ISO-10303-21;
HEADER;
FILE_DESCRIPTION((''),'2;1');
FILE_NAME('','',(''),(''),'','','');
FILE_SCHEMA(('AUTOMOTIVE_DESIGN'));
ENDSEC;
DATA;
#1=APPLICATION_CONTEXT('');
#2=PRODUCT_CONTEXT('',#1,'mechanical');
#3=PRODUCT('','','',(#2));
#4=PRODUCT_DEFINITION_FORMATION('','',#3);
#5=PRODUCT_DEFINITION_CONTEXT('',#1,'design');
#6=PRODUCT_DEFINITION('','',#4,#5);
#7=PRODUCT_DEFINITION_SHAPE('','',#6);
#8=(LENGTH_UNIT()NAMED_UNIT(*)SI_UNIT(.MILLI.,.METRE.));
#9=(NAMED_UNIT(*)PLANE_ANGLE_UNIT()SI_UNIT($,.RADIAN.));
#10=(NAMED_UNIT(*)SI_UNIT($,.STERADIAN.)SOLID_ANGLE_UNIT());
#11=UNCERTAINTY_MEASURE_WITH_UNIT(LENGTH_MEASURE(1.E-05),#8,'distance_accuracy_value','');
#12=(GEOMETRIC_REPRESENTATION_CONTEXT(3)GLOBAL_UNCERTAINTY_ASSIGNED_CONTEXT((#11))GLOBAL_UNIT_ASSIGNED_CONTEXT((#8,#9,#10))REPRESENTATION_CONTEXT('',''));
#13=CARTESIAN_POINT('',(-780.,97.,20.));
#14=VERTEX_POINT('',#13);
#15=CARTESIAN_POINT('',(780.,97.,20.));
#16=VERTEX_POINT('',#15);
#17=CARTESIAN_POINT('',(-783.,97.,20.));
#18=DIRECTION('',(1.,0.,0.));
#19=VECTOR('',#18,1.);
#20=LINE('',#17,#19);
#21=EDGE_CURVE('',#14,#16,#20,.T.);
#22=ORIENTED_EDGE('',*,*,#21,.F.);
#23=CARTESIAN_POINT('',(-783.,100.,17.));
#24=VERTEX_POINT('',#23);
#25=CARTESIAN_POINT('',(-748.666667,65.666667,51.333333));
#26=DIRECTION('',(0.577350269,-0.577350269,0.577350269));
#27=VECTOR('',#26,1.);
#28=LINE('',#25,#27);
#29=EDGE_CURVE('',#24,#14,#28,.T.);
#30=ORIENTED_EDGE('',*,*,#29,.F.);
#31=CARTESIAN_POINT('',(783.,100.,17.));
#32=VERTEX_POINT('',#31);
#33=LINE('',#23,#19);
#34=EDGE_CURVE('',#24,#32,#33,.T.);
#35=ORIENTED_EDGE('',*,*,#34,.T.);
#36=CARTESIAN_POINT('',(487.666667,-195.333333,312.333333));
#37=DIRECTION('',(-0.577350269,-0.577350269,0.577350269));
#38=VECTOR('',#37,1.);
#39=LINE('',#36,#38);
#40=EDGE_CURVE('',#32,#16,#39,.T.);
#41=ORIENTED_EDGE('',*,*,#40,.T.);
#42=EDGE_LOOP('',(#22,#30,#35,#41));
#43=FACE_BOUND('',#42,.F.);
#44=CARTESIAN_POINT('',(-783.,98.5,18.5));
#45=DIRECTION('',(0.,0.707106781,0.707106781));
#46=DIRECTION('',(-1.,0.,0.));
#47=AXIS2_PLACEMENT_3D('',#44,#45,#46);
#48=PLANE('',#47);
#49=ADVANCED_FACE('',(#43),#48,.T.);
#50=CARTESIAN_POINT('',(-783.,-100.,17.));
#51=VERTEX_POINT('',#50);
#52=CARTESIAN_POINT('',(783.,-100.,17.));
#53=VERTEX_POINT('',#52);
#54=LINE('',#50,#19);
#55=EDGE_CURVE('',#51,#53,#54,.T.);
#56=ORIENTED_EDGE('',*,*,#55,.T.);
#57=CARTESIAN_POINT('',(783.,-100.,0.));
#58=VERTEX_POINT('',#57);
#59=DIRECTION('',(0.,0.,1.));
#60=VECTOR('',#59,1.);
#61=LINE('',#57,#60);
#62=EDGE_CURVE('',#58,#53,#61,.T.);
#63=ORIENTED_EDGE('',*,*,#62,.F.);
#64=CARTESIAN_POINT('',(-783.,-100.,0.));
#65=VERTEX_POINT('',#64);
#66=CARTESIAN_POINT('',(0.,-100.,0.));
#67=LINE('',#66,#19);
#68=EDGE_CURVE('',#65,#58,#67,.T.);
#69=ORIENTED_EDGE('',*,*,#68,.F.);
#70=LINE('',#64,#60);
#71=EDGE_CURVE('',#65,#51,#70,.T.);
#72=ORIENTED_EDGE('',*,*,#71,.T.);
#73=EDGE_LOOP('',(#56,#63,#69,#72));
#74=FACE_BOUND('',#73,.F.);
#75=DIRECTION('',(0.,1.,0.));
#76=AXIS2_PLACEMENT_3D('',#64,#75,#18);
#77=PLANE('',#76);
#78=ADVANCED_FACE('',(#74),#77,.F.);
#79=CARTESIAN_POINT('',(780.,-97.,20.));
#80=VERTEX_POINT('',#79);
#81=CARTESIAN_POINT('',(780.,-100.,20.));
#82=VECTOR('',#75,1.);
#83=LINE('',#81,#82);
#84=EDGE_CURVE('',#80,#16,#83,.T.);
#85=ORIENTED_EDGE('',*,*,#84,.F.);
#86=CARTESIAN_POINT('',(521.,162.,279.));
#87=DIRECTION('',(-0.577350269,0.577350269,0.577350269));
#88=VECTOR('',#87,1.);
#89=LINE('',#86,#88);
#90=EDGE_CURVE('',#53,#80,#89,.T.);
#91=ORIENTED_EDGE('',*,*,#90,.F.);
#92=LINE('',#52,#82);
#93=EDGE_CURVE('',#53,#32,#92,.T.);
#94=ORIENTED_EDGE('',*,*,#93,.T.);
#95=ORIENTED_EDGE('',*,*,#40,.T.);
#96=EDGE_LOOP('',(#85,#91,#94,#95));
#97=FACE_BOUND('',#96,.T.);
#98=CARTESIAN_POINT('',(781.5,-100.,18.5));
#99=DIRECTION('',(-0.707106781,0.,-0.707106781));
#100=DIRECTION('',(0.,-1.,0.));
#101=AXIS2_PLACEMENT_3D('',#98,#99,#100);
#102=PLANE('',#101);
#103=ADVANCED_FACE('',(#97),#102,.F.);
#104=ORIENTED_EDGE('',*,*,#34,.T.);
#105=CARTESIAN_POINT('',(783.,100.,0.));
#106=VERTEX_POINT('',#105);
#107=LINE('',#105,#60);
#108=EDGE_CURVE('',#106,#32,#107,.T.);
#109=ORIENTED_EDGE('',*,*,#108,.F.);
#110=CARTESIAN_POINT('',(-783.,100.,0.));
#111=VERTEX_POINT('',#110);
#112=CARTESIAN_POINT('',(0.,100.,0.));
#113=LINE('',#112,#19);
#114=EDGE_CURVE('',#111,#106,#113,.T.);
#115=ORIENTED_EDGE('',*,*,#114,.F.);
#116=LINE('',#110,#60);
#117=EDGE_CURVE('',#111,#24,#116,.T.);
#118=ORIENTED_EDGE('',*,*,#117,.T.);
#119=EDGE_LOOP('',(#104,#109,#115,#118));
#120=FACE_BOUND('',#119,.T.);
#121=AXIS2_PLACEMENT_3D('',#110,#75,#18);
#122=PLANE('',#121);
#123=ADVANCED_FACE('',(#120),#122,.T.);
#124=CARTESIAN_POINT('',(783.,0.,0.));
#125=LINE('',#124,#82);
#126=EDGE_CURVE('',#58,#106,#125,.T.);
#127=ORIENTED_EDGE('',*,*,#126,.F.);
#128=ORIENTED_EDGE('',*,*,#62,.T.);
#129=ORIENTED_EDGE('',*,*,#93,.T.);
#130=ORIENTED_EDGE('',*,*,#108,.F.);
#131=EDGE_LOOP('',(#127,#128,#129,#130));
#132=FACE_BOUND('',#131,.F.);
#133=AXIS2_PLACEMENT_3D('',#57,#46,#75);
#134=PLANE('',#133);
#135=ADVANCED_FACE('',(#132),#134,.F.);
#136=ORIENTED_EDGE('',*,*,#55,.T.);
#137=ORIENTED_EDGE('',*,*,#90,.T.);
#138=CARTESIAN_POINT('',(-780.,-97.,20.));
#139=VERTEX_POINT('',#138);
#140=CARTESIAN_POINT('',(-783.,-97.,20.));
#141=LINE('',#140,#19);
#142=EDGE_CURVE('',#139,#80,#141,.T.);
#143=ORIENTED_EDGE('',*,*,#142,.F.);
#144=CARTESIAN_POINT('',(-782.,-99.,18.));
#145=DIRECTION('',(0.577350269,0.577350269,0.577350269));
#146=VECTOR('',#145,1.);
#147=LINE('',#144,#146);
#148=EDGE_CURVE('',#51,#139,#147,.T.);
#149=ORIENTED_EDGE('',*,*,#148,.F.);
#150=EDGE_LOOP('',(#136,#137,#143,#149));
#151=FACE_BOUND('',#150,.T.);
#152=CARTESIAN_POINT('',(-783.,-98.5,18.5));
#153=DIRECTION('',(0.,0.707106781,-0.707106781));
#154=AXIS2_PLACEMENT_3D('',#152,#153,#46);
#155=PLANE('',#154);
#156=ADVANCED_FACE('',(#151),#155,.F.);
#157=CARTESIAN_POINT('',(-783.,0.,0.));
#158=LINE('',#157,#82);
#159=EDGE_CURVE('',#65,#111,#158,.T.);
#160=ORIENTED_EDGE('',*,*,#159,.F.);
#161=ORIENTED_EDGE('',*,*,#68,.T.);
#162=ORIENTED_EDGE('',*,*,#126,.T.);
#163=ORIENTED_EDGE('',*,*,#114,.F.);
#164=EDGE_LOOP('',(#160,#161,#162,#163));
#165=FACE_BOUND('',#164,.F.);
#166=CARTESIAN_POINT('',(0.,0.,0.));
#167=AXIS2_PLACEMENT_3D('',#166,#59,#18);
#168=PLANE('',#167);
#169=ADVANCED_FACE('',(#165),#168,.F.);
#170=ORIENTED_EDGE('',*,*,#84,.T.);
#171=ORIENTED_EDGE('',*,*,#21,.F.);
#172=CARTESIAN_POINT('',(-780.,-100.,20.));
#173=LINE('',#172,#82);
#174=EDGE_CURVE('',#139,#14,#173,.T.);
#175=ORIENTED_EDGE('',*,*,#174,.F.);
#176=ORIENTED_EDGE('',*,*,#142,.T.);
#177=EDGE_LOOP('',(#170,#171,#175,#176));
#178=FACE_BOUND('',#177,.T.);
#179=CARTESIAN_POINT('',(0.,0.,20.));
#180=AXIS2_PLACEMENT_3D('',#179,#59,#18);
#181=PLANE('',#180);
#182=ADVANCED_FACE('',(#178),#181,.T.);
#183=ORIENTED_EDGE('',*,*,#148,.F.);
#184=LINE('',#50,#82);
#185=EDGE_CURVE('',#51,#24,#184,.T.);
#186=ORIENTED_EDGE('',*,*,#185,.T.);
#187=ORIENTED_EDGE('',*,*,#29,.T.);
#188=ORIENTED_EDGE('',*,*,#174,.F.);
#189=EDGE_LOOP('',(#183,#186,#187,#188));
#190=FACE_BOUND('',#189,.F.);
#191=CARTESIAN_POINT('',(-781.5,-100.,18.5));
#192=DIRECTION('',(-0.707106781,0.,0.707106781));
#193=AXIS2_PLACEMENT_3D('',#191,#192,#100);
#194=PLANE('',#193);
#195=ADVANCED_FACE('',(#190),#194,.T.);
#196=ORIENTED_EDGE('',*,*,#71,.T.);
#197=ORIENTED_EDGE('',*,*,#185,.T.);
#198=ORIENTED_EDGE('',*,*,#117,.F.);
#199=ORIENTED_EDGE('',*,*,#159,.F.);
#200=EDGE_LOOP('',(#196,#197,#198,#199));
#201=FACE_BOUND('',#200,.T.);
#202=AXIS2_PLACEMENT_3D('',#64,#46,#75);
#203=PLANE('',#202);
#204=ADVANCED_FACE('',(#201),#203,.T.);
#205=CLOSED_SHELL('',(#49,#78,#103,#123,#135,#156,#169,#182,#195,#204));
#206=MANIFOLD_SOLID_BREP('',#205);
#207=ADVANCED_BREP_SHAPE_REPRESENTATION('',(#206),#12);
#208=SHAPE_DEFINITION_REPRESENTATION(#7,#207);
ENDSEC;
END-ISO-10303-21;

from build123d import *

# Parameters (mm, degrees)
F0_W     = 1566
F0_H     = 200
F1_DEPTH = 20
F2_SIZE  = 3


with BuildPart() as f1:
    # F0 (on Top) → F1 (new body)
    with BuildSketch(Plane.XY):
        Rectangle(F0_W, F0_H)
    extrude(amount=F1_DEPTH)

    # F2
    f2_edges = [f1.edges().sort_by_distance(p)[0] for p in [
        (0, 100, 20),
        (-783, 0, 20),
        (0, -100, 20),
        (783, 0, 20),
    ]]
    chamfer(f2_edges, length=F2_SIZE)


solid = f1.part
